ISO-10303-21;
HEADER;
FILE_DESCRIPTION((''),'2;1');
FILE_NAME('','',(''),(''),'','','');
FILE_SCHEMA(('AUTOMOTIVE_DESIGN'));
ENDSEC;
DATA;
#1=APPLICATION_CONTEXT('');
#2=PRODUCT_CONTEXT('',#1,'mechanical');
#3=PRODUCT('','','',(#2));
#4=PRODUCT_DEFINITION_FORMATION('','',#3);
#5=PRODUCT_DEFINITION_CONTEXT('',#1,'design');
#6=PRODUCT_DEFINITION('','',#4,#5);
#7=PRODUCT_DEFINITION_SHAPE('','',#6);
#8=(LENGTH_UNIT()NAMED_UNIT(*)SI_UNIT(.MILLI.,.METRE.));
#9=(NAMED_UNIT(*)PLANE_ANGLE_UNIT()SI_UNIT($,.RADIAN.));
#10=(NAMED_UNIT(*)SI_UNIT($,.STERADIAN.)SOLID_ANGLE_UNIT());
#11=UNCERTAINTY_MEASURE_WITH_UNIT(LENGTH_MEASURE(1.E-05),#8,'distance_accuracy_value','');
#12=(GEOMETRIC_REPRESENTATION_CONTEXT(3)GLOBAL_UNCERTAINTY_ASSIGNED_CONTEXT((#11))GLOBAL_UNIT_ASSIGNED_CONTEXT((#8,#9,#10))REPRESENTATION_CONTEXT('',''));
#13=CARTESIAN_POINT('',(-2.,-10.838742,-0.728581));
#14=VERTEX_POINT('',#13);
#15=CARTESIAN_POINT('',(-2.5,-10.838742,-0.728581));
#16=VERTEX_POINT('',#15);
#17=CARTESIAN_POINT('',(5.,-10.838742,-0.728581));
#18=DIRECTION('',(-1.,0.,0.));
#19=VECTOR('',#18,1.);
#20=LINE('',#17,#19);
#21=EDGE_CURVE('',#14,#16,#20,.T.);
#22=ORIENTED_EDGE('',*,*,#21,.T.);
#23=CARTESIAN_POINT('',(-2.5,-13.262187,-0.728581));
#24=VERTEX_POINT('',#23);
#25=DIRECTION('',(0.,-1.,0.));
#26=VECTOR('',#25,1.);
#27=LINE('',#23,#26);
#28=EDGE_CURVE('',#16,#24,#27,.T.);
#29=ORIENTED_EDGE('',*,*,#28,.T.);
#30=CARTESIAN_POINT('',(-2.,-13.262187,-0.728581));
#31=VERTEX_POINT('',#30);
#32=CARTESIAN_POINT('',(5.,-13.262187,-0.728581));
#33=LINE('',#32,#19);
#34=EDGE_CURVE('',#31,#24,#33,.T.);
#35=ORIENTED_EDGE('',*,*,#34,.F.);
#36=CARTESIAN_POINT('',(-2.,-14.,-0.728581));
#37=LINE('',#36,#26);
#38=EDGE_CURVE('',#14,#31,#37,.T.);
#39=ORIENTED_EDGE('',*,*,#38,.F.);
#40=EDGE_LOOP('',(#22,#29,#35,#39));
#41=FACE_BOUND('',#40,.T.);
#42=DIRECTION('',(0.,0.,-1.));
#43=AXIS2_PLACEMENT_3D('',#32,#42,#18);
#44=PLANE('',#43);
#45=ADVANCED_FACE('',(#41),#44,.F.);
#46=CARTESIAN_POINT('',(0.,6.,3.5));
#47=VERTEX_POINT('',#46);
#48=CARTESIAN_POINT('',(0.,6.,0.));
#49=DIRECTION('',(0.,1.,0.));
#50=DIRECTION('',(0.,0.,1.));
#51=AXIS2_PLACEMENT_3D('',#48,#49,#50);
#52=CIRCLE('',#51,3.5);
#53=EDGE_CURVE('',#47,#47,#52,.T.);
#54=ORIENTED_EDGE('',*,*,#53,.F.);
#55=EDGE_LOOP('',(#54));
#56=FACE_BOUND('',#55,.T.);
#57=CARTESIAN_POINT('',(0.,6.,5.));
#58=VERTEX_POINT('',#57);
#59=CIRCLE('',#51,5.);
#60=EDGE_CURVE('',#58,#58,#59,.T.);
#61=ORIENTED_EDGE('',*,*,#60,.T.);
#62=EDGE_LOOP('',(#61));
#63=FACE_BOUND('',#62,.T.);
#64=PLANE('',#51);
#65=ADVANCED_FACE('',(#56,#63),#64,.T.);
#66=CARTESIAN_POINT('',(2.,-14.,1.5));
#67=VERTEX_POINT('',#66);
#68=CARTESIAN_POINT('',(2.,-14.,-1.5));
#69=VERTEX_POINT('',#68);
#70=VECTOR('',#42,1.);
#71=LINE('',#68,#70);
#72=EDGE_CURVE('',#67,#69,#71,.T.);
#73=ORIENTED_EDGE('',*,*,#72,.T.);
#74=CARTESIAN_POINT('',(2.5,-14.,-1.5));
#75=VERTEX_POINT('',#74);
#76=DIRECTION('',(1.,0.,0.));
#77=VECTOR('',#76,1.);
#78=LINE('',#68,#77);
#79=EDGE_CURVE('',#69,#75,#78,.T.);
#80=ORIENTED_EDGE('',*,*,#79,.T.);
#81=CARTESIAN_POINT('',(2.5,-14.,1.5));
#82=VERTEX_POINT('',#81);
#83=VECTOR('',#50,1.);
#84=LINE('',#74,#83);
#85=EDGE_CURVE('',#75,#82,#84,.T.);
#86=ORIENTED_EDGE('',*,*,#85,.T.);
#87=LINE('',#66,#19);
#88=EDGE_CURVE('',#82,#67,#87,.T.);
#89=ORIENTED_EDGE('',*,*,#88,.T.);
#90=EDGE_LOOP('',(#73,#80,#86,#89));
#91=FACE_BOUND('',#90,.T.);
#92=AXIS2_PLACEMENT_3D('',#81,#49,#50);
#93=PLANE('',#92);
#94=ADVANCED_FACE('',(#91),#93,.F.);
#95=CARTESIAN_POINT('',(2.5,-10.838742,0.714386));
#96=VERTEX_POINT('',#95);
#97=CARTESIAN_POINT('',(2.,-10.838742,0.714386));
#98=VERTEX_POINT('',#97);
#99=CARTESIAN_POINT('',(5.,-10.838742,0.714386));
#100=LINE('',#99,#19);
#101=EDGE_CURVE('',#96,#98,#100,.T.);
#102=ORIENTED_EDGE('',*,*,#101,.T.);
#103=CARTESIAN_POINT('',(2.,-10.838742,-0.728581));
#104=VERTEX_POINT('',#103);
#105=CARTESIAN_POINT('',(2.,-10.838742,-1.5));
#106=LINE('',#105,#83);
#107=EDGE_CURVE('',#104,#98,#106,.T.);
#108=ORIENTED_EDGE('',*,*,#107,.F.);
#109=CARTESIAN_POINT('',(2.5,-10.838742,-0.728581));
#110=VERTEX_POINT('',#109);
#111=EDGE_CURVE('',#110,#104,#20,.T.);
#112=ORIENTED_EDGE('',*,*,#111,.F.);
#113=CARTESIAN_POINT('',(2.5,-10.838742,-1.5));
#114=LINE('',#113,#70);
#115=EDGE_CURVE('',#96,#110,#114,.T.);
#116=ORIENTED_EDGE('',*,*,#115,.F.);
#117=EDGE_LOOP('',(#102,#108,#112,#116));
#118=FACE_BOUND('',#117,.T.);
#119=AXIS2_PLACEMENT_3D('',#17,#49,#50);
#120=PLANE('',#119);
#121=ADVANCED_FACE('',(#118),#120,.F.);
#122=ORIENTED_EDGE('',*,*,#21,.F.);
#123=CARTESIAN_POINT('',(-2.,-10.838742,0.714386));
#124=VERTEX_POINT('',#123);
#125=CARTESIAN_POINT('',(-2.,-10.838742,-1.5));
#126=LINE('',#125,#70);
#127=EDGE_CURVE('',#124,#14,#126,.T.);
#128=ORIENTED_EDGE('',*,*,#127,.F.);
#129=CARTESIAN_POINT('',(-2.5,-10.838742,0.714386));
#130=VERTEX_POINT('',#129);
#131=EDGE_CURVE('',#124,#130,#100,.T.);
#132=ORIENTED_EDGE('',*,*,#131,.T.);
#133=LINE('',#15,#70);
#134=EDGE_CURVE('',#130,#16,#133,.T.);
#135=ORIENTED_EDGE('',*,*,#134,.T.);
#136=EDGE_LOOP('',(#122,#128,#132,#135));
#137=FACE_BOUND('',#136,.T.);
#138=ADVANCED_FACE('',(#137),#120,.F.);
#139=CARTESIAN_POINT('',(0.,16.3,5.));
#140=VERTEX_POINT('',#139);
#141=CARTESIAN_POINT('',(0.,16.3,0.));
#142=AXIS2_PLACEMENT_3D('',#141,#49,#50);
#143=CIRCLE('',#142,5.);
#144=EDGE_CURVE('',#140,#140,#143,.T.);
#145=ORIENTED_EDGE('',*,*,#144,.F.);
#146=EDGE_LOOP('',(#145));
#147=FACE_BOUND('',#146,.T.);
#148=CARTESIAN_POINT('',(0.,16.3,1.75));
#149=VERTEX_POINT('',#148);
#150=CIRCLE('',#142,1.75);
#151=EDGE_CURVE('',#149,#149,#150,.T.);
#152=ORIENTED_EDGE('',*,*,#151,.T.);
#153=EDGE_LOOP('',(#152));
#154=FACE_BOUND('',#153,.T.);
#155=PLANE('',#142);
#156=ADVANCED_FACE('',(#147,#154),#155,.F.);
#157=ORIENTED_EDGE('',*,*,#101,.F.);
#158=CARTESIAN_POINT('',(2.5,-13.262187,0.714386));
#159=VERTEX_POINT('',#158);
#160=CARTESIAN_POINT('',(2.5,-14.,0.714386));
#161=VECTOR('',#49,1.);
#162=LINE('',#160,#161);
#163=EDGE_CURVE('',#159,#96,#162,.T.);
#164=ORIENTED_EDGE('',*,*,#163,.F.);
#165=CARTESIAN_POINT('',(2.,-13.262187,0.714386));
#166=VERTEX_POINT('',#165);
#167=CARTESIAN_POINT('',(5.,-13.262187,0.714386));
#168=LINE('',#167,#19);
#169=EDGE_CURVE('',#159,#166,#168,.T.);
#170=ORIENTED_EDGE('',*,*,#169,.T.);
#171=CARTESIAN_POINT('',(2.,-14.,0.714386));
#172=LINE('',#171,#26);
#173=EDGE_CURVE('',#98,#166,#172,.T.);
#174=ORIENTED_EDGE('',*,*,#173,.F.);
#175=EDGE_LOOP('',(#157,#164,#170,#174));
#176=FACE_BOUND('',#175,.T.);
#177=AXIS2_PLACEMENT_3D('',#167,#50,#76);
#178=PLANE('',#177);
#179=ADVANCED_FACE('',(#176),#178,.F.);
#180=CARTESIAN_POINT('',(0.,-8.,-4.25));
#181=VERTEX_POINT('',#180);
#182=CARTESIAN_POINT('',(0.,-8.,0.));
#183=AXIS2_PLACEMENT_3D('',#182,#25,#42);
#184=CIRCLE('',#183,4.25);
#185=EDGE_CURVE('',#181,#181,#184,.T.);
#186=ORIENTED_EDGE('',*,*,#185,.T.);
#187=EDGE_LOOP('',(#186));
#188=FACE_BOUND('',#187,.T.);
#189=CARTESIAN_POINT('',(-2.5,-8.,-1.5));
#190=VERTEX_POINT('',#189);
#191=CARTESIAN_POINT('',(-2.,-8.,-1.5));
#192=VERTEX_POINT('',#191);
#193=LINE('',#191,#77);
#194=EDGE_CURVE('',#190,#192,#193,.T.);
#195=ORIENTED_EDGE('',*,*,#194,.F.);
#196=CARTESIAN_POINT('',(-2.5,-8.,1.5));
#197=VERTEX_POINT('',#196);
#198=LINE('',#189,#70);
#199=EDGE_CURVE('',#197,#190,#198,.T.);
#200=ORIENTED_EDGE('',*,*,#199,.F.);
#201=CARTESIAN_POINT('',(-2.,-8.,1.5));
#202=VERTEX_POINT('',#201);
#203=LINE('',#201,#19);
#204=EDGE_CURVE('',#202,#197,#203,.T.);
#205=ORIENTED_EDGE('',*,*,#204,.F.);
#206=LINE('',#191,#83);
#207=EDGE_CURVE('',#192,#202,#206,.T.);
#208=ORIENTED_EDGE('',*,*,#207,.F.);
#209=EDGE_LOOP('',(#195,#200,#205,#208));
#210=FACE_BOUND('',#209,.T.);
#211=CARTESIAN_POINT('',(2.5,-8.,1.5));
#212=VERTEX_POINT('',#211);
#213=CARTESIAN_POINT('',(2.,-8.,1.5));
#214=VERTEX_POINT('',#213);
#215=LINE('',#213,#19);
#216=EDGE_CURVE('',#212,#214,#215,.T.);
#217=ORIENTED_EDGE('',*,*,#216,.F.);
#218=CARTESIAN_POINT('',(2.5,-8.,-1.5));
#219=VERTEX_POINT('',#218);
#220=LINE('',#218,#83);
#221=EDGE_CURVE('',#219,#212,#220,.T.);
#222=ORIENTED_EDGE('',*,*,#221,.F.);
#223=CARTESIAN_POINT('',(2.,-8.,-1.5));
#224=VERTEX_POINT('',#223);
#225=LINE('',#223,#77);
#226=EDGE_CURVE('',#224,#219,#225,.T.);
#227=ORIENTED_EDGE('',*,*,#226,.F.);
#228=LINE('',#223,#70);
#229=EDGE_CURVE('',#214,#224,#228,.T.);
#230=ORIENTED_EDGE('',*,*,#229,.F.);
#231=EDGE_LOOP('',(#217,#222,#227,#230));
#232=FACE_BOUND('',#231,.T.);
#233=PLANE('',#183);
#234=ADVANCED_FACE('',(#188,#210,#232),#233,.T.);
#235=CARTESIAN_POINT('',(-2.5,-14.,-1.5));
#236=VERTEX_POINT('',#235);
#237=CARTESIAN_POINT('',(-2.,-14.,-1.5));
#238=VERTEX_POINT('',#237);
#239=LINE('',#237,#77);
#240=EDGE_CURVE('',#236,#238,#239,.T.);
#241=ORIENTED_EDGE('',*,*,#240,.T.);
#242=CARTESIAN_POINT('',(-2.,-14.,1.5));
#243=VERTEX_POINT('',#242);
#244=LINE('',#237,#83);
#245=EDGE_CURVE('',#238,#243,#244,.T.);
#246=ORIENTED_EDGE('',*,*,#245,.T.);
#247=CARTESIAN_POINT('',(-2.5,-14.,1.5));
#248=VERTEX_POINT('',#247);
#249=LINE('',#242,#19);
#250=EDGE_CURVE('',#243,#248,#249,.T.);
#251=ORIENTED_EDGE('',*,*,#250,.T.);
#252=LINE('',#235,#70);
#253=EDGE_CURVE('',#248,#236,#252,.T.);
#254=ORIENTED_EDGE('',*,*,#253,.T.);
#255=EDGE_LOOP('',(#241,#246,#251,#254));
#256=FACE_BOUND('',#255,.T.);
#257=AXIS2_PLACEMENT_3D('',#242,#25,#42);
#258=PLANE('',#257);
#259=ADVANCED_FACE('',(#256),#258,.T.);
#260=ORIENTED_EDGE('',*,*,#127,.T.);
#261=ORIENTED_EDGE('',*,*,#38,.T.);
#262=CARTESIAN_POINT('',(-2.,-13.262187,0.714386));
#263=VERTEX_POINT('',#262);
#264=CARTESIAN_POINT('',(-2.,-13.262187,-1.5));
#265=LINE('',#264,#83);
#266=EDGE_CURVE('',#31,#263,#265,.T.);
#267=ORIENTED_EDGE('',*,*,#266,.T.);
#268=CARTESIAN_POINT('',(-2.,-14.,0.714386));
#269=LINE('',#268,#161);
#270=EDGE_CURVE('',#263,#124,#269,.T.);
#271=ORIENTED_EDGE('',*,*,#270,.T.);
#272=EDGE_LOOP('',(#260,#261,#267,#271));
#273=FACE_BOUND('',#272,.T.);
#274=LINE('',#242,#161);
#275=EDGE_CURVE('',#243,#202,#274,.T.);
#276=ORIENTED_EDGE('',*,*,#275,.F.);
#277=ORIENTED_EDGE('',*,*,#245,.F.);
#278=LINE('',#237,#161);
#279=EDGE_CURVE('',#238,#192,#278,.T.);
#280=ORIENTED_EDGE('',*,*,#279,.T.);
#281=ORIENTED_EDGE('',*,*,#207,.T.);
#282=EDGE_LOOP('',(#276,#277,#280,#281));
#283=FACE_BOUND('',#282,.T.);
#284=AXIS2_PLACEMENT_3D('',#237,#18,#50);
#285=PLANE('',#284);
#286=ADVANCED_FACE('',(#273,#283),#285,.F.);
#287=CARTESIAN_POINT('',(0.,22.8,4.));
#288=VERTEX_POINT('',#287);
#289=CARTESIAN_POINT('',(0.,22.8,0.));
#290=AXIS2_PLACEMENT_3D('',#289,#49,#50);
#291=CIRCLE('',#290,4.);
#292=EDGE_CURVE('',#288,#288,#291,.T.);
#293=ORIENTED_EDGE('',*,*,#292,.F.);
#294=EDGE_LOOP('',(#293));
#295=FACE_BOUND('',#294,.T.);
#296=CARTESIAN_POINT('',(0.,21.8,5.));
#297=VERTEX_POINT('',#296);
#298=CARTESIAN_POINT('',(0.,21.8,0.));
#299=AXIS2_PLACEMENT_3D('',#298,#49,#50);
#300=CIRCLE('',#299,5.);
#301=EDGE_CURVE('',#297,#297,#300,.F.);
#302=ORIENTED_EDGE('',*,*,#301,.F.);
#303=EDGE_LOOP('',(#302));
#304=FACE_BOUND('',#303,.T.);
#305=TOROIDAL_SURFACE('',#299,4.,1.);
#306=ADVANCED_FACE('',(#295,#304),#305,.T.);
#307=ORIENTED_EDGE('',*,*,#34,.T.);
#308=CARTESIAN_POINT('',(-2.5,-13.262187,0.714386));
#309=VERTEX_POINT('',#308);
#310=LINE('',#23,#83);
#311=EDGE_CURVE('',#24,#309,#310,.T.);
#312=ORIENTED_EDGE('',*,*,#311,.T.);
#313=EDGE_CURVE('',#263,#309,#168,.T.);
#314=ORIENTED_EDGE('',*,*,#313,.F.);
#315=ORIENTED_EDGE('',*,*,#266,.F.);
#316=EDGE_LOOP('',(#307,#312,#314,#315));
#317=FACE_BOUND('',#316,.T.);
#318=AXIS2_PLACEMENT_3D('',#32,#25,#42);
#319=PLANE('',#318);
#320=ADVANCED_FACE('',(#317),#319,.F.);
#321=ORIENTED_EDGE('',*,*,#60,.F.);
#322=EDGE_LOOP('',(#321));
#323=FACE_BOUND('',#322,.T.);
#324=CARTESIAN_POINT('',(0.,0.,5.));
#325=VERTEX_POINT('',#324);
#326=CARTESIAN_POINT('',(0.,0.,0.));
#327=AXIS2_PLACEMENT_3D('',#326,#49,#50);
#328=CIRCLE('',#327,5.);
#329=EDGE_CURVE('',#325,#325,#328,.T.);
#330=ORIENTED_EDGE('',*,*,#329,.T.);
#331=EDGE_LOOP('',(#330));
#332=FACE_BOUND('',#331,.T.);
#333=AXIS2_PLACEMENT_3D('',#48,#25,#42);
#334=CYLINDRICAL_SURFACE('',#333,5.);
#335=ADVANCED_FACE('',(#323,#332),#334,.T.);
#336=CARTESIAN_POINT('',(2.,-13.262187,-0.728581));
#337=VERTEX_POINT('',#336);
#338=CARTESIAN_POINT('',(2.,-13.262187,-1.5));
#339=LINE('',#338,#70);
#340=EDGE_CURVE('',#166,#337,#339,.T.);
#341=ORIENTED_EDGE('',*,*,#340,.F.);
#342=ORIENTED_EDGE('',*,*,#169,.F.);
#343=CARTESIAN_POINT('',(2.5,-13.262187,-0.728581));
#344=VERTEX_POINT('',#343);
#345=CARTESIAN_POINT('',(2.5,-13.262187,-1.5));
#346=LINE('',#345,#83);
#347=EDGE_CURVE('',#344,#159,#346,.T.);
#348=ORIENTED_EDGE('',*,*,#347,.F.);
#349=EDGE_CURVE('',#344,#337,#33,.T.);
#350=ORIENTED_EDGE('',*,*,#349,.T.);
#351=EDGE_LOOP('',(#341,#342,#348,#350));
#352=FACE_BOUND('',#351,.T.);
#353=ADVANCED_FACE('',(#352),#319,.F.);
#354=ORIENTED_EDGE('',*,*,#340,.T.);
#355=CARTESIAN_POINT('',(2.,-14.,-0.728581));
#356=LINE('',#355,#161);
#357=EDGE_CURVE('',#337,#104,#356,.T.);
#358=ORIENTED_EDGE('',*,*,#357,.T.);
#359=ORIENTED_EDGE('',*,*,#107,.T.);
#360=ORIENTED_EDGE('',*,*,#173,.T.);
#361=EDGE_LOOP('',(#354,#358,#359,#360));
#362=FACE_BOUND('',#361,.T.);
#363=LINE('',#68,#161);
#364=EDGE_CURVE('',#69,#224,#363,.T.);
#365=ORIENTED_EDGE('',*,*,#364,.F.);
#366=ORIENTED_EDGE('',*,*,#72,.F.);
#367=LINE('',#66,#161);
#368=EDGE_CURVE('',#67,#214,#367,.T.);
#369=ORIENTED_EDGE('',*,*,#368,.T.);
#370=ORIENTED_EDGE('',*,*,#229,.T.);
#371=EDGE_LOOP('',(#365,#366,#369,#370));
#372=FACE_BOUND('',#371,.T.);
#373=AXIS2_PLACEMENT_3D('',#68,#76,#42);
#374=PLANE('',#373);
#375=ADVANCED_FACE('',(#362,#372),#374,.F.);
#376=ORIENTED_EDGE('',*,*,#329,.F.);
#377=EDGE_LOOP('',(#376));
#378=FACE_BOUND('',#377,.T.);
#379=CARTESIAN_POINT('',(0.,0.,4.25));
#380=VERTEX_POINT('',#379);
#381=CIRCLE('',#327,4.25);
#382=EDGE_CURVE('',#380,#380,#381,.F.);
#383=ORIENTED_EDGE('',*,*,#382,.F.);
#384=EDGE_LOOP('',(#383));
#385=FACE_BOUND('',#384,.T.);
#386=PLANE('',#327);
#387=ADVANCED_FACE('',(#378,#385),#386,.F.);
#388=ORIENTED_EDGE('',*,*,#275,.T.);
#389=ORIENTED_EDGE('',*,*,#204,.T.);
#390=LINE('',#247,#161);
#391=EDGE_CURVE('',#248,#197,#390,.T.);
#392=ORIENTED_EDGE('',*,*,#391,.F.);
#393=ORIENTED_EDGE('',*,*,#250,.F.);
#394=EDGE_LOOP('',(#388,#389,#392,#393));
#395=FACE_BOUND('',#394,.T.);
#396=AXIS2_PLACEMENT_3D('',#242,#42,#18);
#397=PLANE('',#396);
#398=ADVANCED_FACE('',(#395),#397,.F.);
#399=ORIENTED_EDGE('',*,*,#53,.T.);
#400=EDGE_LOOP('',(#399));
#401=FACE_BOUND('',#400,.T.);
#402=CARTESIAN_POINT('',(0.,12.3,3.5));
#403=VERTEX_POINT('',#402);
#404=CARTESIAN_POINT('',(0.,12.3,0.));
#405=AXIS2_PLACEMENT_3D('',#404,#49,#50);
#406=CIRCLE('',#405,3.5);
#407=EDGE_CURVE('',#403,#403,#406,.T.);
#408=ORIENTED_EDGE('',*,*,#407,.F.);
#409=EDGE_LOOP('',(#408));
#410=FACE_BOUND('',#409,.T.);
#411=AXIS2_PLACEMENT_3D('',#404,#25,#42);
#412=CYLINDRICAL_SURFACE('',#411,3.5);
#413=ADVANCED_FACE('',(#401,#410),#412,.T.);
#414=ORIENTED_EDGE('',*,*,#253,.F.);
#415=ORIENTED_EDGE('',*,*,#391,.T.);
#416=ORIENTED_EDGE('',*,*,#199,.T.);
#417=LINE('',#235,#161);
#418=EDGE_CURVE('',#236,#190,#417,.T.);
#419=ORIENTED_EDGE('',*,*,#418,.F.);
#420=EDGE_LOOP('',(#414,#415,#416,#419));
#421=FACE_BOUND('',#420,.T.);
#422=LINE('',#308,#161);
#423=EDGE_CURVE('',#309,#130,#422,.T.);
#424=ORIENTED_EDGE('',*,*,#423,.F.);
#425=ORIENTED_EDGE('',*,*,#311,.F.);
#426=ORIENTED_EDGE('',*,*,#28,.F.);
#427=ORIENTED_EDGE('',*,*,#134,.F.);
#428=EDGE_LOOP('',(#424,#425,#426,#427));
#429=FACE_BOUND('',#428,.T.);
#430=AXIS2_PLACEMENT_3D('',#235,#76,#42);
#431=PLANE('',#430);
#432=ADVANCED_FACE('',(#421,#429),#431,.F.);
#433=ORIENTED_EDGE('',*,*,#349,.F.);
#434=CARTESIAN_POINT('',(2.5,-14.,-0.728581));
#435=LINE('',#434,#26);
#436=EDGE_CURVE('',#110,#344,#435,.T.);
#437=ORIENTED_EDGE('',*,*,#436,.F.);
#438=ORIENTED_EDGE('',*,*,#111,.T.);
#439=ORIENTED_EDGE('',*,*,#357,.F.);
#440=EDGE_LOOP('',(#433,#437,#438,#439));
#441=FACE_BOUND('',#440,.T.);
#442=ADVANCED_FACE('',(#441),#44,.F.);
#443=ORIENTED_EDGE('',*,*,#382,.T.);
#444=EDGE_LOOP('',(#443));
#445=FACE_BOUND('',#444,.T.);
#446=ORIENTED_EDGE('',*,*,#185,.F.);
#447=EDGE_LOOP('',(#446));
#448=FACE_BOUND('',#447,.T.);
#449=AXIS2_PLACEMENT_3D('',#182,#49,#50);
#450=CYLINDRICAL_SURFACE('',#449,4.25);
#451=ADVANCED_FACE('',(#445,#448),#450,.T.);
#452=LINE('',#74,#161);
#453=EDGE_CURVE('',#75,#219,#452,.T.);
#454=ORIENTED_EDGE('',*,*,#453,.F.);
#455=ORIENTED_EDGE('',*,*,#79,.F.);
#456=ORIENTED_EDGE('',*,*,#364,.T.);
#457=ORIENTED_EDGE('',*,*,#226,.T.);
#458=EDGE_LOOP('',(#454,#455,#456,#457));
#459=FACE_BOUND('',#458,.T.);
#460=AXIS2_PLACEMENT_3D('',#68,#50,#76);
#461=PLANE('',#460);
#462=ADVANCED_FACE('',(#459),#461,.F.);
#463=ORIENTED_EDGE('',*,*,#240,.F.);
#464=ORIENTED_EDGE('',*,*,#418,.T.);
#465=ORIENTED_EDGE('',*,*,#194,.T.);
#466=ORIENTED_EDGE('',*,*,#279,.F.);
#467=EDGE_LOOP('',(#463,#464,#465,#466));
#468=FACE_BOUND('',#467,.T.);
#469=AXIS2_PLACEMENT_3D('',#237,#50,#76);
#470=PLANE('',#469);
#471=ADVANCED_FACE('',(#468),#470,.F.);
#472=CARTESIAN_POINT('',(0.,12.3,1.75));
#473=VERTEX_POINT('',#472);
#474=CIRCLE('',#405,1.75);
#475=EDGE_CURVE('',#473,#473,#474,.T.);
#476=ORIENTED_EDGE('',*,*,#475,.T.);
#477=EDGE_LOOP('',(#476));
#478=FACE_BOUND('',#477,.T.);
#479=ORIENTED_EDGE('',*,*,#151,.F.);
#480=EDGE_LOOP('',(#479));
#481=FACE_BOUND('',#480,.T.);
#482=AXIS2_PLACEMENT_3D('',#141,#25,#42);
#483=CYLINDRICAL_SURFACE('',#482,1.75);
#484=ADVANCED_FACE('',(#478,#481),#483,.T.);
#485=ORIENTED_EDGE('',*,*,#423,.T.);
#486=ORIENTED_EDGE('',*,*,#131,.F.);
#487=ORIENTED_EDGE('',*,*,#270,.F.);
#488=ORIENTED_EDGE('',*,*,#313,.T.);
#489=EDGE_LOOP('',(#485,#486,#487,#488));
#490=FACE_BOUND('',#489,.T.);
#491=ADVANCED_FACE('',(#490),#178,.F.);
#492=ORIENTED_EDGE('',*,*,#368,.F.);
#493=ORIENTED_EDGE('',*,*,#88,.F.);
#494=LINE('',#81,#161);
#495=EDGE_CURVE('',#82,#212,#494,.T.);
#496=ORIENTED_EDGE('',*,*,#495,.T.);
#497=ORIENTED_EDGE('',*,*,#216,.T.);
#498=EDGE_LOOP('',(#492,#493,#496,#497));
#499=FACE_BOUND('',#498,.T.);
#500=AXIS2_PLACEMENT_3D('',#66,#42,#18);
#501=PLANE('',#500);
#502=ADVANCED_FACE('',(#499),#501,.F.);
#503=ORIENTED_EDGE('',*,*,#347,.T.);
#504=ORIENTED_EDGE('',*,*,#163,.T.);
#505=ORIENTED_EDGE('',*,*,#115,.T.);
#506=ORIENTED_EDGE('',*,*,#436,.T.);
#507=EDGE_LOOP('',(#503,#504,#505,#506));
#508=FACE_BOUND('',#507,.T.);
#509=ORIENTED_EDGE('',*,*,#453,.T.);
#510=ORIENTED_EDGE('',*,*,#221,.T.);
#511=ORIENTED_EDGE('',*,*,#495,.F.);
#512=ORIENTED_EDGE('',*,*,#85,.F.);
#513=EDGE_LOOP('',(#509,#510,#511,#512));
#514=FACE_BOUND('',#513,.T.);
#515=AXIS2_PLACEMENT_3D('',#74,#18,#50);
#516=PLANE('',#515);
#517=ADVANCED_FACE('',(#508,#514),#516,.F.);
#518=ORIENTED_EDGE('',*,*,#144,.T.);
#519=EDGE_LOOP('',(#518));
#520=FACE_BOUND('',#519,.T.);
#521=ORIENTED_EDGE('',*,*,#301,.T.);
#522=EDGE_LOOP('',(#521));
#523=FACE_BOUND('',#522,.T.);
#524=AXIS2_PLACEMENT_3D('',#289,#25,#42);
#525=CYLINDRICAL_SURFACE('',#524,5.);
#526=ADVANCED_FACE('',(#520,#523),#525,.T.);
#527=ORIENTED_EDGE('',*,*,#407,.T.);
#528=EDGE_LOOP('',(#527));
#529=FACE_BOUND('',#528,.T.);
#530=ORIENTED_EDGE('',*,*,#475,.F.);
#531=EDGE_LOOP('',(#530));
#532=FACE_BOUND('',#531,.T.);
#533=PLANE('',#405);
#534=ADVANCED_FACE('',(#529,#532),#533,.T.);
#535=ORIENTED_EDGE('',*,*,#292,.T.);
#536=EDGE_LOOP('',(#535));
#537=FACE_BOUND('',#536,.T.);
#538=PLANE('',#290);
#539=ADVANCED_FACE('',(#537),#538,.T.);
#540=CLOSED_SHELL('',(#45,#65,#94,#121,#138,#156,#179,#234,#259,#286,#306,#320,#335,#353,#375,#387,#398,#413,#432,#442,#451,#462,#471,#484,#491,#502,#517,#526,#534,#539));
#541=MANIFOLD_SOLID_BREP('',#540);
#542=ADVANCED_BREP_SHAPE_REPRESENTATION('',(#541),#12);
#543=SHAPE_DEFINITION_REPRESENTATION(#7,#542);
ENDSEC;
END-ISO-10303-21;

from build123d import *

# Parameters (mm, degrees)
ESBO_O1_R                = 5
RESSALTO_EXTRUS_O1_DEPTH = 6
ESBO_O2_R                = 4.25
RESSALTO_EXTRUS_O2_DEPTH = 8
ESBO_O3_W                = 0.5
ESBO_O3_H                = 3
RESSALTO_EXTRUS_O3_DEPTH = 6
ESBO_O4_W                = 1.442967266
ESBO_O4_H                = 2.423445024
CORTE_EXTRUS_O1_DEPTH    = 8.5
ESBO_O5_R                = 3.5
RESSALTO_EXTRUS_O4_DEPTH = 6.3
ESBO_O6_R                = 1.75
RESSALTO_EXTRUS_O5_DEPTH = 4
ESBO_O7_R                = 5
RESSALTO_EXTRUS_O6_DEPTH = 6.5
FILETE1_R                = 1


with BuildPart() as part:
    # Esboço1 → Ressalto-extrusão1 (new body)
    with BuildSketch(Plane(origin=(0, 0, 0), x_dir=(1, 0, 0), z_dir=(0, 1, 0))):
        Circle(ESBO_O1_R)
    extrude(amount=RESSALTO_EXTRUS_O1_DEPTH)

    # Esboço2 → Ressalto-extrusão2 (add)
    with BuildSketch(Plane.XZ):
        Circle(ESBO_O2_R)
    extrude(amount=RESSALTO_EXTRUS_O2_DEPTH)

    # Esboço3 → Ressalto-extrusão3 (add)
    with BuildSketch(Plane.XZ.offset(8)):
        with Locations((2.25, 0)):
            Rectangle(ESBO_O3_W, ESBO_O3_H)
        with Locations((-2.25, 0)):
            Rectangle(ESBO_O3_W, ESBO_O3_H)
    extrude(amount=RESSALTO_EXTRUS_O3_DEPTH)

    # Esboço4 → Corte-extrusão1 (cut, through all)
    with BuildSketch(Plane.ZY.offset(2.5)):
        with Locations((-0.007097641, -12.050464305)):
            Rectangle(ESBO_O4_W, ESBO_O4_H)
    extrude(amount=-CORTE_EXTRUS_O1_DEPTH, mode=Mode.SUBTRACT)

    # Esboço5 → Ressalto-extrusão4 (add)
    with BuildSketch(Plane(origin=(0, 6, 0), x_dir=(1, 0, 0), z_dir=(0, 1, 0))):
        Circle(ESBO_O5_R)
    extrude(amount=RESSALTO_EXTRUS_O4_DEPTH)

    # Esboço6 → Ressalto-extrusão5 (add)
    with BuildSketch(Plane(origin=(0, 12.3, 0), x_dir=(1, 0, 0), z_dir=(0, 1, 0))):
        Circle(ESBO_O6_R)
    extrude(amount=RESSALTO_EXTRUS_O5_DEPTH)

    # Esboço7 → Ressalto-extrusão6 (add)
    with BuildSketch(Plane(origin=(0, 16.3, 0), x_dir=(1, 0, 0), z_dir=(0, 1, 0))):
        Circle(ESBO_O7_R)
    extrude(amount=RESSALTO_EXTRUS_O6_DEPTH)

    # Filete1
    filete1_edges = [part.edges().sort_by_distance(p)[0] for p in [
        (-5, 22.8, 0),
    ]]
    fillet(filete1_edges, radius=FILETE1_R)


solid = part.part
